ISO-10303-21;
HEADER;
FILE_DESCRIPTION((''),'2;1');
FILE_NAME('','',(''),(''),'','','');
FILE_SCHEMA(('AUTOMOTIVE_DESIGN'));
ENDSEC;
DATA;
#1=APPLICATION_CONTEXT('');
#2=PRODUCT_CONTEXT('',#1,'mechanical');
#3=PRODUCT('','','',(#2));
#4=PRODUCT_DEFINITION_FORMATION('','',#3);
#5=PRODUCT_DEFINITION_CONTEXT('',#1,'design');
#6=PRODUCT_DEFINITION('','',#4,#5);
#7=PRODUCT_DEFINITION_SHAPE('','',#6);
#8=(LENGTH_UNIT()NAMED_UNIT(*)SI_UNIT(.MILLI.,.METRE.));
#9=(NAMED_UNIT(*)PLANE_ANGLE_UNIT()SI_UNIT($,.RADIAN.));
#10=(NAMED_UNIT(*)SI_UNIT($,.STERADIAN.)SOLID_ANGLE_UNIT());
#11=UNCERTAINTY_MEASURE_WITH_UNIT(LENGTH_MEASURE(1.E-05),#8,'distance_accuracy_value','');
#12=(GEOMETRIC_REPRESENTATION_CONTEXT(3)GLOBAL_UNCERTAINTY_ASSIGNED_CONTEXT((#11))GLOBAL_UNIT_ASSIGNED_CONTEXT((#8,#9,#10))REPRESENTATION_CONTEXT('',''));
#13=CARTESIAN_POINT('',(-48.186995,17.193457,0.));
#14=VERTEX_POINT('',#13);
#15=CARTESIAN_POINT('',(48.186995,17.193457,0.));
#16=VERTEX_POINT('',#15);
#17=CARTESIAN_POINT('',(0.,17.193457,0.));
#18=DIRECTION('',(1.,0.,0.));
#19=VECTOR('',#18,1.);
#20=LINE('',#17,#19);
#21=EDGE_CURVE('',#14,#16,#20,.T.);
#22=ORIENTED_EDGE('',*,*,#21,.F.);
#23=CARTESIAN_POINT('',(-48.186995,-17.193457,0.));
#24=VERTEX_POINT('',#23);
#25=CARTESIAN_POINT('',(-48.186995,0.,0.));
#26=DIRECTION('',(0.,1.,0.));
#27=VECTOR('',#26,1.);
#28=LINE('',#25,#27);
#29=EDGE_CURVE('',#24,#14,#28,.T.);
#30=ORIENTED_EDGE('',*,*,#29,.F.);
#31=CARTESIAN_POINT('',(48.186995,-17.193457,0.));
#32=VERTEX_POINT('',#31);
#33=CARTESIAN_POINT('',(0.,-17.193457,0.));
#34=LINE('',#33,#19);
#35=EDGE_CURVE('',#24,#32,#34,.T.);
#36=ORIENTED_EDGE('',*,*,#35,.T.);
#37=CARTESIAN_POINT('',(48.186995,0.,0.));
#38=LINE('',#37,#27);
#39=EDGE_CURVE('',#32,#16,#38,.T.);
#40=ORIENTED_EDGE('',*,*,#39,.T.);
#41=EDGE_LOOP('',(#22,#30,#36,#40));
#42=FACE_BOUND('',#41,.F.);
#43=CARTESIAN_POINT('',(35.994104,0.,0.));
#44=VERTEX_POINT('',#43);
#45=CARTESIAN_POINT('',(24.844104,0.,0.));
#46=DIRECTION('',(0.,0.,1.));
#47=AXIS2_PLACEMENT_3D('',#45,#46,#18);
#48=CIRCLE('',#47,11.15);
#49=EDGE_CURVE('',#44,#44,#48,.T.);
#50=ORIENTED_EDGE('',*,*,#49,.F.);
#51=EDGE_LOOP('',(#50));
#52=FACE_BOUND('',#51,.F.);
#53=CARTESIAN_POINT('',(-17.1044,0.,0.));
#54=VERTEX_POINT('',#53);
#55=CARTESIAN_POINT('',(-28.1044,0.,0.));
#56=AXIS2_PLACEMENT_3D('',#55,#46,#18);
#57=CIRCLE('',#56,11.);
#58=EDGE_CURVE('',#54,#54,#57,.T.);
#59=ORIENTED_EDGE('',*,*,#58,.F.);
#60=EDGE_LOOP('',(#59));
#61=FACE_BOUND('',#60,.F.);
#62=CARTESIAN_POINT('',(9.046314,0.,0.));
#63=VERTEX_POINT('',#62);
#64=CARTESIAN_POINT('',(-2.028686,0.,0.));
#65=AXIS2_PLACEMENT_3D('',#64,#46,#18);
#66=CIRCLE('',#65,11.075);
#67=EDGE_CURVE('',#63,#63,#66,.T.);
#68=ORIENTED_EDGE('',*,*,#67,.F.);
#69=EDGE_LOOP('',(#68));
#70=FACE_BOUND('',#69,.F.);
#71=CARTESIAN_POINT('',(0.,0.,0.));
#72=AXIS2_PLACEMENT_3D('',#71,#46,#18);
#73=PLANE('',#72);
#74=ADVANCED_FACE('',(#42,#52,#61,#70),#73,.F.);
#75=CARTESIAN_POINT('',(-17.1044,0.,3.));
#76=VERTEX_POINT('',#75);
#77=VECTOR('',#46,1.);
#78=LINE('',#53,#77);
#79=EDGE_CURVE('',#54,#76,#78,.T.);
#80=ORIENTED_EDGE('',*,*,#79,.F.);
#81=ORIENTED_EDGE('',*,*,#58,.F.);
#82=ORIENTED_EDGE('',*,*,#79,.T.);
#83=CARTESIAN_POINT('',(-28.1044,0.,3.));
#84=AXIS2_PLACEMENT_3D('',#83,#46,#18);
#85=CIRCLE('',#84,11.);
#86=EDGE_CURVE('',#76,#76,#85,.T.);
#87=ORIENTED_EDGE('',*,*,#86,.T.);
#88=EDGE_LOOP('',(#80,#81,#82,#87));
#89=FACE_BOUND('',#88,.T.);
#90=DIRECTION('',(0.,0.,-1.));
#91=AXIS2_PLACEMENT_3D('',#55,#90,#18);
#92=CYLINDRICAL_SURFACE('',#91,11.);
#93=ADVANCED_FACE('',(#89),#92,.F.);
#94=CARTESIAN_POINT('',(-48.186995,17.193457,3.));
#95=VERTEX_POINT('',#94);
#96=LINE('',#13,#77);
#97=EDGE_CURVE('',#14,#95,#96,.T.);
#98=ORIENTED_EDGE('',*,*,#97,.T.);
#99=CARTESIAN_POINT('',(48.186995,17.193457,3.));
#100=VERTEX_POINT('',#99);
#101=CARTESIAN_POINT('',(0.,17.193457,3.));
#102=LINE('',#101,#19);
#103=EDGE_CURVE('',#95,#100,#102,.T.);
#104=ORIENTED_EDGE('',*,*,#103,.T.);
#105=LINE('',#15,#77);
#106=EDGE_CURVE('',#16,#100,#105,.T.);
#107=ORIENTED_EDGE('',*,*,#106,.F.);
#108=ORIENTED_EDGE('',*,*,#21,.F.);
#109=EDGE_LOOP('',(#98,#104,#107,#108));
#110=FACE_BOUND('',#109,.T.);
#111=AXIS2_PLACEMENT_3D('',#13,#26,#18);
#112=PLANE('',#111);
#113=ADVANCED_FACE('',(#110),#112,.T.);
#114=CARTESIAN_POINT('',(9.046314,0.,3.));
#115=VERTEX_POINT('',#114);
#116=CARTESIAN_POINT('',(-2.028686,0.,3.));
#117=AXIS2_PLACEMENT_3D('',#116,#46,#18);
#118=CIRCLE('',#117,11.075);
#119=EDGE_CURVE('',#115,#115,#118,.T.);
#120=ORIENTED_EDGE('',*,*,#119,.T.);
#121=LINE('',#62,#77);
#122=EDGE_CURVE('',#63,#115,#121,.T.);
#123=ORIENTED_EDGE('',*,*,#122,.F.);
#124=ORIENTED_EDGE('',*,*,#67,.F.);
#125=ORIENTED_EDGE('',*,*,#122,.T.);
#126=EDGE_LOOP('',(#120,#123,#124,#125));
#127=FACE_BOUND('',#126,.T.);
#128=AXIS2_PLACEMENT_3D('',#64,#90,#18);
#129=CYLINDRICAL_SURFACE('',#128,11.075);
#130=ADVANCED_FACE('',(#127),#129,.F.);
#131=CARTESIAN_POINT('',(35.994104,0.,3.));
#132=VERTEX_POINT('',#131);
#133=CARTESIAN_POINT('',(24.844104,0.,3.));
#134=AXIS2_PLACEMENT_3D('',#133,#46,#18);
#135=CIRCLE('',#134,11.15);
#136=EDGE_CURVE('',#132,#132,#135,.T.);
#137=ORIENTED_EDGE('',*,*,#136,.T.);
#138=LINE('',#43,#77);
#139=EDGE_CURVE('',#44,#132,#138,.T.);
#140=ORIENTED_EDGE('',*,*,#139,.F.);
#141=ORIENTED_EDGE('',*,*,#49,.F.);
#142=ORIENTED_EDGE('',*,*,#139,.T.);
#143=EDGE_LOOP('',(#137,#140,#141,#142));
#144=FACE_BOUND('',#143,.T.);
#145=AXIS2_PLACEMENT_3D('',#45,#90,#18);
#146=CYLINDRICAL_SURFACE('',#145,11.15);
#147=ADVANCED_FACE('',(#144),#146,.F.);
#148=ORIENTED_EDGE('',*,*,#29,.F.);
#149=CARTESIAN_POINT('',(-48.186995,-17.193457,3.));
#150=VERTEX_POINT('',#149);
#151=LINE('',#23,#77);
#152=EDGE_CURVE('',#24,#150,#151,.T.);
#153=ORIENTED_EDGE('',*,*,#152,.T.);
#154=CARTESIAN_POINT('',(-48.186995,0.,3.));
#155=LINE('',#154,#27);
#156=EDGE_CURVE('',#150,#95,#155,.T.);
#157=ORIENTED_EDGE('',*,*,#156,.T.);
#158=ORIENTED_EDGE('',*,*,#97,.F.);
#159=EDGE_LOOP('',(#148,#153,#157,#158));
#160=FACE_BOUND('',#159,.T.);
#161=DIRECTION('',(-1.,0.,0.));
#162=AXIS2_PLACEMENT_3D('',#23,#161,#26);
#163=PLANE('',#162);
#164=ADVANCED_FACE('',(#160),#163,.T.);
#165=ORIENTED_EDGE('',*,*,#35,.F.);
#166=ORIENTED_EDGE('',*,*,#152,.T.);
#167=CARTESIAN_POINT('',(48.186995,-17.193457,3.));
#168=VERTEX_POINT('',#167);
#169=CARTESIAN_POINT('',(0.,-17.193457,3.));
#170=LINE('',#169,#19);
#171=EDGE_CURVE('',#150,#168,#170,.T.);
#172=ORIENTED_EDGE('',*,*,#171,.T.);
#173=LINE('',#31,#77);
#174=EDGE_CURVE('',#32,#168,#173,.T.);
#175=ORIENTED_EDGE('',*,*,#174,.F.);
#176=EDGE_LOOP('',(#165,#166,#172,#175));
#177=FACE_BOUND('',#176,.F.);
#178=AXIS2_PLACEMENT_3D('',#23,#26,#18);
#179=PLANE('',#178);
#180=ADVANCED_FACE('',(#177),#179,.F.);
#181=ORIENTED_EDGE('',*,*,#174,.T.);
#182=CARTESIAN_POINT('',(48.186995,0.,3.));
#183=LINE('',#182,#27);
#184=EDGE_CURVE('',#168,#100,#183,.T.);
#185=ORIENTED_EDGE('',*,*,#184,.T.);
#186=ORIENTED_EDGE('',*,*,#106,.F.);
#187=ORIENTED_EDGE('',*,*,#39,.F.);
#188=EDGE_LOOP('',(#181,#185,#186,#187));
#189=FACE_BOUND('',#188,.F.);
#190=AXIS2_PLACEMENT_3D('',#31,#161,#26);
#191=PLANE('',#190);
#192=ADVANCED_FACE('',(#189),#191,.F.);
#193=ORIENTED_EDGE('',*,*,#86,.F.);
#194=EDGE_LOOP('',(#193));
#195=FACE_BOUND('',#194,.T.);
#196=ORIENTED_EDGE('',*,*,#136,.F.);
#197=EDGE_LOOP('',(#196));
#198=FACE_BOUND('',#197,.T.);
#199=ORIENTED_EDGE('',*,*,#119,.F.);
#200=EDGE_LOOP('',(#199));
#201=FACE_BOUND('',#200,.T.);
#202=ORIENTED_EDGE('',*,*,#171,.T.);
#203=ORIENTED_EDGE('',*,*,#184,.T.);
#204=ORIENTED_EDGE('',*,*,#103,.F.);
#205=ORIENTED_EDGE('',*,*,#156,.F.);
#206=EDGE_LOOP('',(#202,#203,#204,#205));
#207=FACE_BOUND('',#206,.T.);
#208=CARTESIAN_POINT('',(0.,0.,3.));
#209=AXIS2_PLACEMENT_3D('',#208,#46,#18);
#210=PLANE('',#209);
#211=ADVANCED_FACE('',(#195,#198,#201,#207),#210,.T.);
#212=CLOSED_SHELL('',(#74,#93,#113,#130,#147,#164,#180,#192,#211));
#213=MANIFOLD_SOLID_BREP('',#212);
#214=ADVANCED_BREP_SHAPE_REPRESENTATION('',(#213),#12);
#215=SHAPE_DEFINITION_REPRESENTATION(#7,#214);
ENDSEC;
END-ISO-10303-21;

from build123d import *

# Parameters (mm, degrees)
F0_W     = 96.37399
F0_H     = 34.386914
F0_R     = 11
F0_R_2   = 11.075
F0_R_3   = 11.15
F1_DEPTH = 3


with BuildPart() as f1:
    # F0 (on Top) → F1 (new body)
    with BuildSketch(Plane.XY):
        Rectangle(F0_W, F0_H)
        with Locations((-28.1044, 0)):
            Circle(F0_R, mode=Mode.SUBTRACT)
        with Locations((-2.028686, 0)):
            Circle(F0_R_2, mode=Mode.SUBTRACT)
        with Locations((24.844104, 0)):
            Circle(F0_R_3, mode=Mode.SUBTRACT)
    extrude(amount=F1_DEPTH)


solid = f1.part
